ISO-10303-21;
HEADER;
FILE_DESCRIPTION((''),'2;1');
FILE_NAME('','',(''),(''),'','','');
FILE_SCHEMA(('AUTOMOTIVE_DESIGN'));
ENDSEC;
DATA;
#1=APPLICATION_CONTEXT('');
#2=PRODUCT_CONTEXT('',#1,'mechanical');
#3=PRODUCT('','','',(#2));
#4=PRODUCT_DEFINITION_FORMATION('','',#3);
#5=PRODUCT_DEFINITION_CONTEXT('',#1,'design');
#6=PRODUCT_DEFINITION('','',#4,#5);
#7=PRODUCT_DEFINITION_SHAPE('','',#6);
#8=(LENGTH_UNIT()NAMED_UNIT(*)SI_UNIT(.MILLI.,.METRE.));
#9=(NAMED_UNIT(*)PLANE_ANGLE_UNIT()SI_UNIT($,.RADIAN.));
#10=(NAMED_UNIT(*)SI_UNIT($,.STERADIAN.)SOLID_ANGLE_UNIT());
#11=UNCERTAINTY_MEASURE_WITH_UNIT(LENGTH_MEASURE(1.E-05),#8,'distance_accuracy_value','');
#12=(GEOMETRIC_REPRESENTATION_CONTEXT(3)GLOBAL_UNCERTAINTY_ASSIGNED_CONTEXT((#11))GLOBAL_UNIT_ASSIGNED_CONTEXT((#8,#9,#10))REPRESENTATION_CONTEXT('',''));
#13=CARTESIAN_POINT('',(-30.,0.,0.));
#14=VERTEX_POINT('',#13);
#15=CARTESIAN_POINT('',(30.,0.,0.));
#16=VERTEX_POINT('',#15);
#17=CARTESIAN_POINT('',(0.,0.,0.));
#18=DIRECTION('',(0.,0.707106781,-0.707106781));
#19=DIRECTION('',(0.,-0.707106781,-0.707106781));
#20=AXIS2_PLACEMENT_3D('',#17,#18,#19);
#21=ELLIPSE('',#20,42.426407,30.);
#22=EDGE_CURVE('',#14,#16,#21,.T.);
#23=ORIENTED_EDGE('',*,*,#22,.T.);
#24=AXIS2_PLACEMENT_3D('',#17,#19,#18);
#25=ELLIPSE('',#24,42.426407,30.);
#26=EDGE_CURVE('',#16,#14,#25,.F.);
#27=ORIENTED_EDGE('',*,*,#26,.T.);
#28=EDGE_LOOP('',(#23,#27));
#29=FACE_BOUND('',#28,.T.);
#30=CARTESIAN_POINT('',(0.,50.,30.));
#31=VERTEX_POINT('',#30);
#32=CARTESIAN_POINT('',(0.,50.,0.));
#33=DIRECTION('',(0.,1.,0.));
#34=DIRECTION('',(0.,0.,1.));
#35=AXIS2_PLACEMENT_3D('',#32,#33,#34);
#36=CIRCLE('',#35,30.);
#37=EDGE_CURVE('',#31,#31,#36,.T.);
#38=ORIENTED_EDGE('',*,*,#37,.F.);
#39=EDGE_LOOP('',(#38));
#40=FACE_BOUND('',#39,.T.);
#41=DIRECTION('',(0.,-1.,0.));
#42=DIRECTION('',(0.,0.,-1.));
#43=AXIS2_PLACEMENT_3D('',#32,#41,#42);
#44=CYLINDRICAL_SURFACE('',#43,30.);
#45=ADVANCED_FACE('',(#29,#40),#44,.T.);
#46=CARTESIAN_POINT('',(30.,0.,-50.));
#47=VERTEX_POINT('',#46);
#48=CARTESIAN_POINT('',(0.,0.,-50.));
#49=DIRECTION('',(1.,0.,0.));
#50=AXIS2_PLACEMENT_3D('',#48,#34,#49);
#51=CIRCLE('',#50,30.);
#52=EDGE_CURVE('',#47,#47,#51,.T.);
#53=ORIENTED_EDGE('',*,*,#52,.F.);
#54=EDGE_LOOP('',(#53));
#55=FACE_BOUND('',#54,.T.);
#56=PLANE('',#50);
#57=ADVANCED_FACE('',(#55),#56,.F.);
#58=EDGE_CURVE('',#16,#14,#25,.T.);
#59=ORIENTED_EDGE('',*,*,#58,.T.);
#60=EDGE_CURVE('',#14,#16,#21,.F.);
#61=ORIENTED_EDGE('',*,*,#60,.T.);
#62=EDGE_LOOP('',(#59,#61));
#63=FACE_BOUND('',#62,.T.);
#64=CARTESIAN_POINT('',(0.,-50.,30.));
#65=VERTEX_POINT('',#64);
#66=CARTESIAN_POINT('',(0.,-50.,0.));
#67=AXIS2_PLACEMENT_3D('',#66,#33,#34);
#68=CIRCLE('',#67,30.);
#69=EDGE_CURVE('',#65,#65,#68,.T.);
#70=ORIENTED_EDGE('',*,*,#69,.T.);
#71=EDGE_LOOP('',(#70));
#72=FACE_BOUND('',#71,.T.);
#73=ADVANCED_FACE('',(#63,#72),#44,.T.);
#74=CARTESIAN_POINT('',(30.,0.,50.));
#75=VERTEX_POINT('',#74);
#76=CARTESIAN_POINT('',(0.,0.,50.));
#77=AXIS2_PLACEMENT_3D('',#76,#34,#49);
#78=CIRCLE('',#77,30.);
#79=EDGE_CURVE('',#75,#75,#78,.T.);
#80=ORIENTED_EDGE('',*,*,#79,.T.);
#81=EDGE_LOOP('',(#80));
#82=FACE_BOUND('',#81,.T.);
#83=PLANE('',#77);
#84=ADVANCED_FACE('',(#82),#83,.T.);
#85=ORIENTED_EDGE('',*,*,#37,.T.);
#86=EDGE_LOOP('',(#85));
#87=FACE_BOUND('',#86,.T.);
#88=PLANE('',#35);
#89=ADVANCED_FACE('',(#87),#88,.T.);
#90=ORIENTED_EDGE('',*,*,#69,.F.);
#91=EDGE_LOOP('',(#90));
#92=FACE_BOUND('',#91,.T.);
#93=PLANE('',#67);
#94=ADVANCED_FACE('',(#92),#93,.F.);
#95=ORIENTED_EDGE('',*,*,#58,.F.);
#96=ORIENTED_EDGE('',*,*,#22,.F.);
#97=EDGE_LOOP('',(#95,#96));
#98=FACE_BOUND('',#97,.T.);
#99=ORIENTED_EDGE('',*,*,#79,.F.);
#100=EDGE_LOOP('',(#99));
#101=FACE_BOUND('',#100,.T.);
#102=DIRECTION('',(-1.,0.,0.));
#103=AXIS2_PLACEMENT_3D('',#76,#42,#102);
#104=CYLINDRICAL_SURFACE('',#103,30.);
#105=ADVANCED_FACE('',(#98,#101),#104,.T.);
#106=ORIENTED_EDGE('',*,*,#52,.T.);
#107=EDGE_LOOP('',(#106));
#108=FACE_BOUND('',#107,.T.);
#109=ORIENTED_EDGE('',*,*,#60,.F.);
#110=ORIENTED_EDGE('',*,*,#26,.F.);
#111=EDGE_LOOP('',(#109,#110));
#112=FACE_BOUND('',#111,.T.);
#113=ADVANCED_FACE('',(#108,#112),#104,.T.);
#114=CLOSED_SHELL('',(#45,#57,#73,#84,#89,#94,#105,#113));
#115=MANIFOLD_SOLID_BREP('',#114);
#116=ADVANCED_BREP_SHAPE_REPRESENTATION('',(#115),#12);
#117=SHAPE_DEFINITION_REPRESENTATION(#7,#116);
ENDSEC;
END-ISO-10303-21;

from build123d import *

# Parameters (mm, degrees)
SKETCH_1_R      = 30
EXTRUDE_1_DEPTH = 50
SKETCH_2_R      = 30
EXTRUDE_2_DEPTH = 50


with BuildPart() as part:
    # 草图1 → 凸台-拉伸1 (new, symmetric)
    with BuildSketch(Plane.XY):
        Circle(SKETCH_1_R)
    extrude(amount=EXTRUDE_1_DEPTH, both=True)

    # 草图2 → 凸台-拉伸2 (add, symmetric)
    with BuildSketch(Plane(origin=(0, 0, 0), x_dir=(1, 0, 0), z_dir=(0, 1, 0))):
        Circle(SKETCH_2_R)
    extrude(amount=EXTRUDE_2_DEPTH, both=True)


solid = part.part
